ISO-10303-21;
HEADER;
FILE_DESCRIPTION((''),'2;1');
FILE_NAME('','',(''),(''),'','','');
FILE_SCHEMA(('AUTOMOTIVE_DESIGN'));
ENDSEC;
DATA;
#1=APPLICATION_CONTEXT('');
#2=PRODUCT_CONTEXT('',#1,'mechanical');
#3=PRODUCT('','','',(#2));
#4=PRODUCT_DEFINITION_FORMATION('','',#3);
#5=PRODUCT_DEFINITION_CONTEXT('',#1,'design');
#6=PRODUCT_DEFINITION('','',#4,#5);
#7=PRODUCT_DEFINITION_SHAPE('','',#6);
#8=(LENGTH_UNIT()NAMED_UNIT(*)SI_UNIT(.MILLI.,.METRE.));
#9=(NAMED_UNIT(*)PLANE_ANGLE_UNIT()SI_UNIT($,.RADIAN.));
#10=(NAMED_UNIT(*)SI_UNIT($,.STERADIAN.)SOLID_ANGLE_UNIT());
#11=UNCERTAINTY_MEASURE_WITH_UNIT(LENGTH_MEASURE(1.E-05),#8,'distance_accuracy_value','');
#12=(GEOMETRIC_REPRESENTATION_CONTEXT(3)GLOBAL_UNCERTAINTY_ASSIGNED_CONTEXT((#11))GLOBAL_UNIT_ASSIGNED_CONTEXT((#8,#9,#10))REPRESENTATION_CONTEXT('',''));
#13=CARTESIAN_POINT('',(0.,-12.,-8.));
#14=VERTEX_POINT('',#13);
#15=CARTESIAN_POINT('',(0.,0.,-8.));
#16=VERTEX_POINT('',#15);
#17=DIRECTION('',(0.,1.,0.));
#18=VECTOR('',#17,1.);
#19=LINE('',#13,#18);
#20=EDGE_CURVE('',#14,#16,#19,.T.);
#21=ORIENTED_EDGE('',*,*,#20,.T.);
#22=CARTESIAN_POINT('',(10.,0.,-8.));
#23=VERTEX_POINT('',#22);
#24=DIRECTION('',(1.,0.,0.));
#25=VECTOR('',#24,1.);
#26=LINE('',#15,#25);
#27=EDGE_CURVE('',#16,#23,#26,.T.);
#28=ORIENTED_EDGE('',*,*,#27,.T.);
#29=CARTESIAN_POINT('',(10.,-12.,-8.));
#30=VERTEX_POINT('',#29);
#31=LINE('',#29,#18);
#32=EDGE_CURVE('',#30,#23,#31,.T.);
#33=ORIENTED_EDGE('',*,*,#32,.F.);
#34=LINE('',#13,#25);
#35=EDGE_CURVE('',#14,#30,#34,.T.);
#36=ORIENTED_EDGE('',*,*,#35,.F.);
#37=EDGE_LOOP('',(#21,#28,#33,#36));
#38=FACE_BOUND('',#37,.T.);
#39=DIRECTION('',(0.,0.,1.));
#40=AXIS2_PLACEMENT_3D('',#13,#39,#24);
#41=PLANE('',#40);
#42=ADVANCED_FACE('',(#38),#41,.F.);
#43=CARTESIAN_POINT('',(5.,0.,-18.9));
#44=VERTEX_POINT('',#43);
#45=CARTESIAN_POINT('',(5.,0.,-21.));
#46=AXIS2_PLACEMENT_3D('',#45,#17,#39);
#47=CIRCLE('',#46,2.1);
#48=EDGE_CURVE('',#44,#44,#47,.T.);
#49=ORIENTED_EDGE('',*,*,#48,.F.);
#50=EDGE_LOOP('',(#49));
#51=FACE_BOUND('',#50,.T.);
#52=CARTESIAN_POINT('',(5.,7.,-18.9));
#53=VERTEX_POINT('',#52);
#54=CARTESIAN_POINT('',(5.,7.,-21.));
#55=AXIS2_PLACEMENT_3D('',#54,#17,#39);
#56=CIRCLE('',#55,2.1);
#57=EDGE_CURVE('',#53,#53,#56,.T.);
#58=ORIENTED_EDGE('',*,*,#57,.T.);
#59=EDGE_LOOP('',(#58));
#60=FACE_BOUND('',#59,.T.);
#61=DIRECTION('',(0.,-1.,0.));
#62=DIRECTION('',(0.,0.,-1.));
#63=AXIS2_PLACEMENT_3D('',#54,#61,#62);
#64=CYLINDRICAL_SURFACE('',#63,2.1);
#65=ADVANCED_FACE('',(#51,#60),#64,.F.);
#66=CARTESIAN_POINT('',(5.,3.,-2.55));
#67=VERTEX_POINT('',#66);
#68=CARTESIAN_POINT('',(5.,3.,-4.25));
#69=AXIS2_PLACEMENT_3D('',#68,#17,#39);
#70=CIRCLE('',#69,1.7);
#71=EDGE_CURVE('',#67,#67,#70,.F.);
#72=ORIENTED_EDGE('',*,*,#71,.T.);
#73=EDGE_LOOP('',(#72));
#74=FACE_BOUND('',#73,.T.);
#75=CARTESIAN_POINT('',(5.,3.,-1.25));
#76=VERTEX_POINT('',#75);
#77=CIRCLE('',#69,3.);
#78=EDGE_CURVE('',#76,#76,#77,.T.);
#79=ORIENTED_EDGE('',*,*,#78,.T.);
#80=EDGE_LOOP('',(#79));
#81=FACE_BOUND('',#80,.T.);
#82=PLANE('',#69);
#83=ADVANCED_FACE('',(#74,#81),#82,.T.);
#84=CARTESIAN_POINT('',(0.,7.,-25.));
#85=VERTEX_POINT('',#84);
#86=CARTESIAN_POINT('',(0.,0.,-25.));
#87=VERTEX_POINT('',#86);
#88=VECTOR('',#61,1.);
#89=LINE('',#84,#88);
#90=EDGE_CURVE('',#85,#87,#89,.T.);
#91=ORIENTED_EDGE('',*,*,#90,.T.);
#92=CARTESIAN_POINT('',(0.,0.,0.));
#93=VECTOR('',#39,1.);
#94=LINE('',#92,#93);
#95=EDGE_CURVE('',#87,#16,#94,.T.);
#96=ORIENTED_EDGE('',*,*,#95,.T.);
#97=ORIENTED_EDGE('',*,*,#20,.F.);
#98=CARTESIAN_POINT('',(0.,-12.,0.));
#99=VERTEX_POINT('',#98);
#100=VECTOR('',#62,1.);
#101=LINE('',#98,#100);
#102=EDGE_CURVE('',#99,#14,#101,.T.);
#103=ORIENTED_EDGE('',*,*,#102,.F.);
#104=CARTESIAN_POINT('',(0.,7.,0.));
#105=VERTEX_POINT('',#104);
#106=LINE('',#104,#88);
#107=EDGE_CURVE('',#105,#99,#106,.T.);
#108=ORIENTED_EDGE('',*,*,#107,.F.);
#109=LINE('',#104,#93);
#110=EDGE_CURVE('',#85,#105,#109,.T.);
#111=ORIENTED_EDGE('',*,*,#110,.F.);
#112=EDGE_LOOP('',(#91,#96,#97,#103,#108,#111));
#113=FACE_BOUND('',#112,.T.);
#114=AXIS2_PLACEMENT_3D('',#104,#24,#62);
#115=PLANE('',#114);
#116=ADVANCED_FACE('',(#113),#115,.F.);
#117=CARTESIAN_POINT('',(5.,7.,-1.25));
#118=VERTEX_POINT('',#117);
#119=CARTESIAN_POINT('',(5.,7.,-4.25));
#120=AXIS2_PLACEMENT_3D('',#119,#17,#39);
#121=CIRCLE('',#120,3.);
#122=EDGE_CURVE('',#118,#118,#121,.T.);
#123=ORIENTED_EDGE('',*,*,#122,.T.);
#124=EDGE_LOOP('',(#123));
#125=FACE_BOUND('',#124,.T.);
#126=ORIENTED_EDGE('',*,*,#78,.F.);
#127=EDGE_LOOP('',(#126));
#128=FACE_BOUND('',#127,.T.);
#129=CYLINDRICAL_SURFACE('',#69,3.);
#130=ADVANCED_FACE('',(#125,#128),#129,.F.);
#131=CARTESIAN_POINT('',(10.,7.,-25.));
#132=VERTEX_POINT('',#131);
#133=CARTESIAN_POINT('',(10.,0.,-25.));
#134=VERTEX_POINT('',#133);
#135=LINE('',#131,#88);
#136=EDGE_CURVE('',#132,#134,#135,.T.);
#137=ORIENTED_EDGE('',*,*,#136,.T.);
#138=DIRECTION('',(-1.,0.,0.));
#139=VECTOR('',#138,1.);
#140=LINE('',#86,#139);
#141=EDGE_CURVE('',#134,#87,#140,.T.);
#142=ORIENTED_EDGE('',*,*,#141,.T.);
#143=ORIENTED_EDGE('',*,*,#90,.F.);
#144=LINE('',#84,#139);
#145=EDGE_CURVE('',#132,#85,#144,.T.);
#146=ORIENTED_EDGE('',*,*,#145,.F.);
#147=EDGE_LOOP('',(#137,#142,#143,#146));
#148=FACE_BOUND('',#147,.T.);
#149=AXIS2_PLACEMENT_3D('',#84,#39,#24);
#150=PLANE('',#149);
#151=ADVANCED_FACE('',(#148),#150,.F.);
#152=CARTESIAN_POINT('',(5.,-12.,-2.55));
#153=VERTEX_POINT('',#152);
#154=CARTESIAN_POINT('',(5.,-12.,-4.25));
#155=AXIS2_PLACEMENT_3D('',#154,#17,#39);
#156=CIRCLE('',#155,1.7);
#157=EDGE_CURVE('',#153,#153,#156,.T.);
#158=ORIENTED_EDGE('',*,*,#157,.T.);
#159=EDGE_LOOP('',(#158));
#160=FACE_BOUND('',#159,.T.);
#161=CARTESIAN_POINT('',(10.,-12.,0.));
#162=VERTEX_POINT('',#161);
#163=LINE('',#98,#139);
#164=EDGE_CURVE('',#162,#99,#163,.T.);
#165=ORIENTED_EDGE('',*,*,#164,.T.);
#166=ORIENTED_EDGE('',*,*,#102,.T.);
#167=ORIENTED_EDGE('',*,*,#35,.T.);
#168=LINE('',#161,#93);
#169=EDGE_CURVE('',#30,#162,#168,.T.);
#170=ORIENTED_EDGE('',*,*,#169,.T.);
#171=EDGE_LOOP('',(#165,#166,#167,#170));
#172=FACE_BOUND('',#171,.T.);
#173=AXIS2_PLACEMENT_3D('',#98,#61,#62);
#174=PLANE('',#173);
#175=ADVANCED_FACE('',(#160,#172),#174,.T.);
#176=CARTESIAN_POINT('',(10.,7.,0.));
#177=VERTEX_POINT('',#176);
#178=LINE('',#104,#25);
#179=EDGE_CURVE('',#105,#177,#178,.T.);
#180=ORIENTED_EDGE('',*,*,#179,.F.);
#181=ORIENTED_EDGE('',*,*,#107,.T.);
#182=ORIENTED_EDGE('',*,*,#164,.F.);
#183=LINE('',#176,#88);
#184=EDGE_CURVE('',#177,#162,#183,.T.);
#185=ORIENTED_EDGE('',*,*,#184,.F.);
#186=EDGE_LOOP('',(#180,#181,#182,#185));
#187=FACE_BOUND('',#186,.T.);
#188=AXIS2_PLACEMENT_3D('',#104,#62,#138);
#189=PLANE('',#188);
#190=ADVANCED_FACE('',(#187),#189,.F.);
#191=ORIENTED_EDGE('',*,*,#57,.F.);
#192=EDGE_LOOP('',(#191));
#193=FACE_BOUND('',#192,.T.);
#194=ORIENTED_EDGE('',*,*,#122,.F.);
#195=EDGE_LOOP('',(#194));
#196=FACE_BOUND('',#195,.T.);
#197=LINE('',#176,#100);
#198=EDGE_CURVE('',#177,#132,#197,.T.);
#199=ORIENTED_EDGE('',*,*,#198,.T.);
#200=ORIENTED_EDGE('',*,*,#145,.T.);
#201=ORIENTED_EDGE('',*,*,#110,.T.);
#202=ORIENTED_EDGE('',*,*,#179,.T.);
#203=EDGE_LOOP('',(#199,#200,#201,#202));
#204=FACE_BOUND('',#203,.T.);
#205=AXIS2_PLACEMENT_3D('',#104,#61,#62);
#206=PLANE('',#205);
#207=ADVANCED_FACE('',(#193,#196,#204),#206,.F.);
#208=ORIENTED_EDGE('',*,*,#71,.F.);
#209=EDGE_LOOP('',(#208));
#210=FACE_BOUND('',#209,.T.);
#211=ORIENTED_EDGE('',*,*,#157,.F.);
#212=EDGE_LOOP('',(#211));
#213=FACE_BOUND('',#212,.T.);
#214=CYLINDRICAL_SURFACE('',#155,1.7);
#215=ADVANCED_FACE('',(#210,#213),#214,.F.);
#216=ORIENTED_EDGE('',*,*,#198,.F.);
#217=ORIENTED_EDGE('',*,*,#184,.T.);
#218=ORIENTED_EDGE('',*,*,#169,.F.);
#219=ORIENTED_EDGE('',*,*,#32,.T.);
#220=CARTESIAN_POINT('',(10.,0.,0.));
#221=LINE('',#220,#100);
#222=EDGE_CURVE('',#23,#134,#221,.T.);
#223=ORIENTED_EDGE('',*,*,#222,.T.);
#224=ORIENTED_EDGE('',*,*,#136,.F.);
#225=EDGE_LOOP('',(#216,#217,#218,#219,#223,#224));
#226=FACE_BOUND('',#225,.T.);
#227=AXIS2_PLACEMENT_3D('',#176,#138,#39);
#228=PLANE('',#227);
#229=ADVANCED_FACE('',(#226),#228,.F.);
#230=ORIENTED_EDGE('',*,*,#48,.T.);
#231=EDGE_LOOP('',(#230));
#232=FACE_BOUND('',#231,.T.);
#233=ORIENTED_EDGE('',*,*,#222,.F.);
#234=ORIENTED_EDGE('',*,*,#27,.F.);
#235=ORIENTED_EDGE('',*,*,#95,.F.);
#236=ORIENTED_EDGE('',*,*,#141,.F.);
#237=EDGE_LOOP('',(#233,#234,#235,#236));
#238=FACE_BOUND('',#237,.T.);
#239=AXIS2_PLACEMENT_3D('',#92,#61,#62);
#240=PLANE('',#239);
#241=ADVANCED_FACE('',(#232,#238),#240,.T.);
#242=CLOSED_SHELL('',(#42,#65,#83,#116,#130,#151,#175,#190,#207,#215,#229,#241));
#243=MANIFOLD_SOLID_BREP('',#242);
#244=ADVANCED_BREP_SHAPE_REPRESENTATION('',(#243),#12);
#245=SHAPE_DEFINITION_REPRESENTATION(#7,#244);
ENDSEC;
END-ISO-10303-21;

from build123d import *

# Parameters (mm, degrees)
SKETCH1_W           = 10
SKETCH1_H           = 25
SKETCH1_R           = 2.1
BOSS_EXTRUDE1_DEPTH = 7
SKETCH2_W           = 10
SKETCH2_H           = 8
BOSS_EXTRUDE2_DEPTH = 12
SKETCH3_R           = 1.7
CUT_EXTRUDE1_DEPTH  = 33.954514107
SKETCH4_R           = 3
CUT_EXTRUDE2_DEPTH  = 4


with BuildPart() as part:
    # Sketch1 → Boss-Extrude1 (new body)
    with BuildSketch(Plane(origin=(0, 0, 0), x_dir=(1, 0, 0), z_dir=(0, 1, 0))):
        with Locations((5, 12.5)):
            Rectangle(SKETCH1_W, SKETCH1_H)
        with Locations(Location((5, 21, 0), (0, 0, 270))):
            Circle(SKETCH1_R, mode=Mode.SUBTRACT)
    extrude(amount=BOSS_EXTRUDE1_DEPTH)

    # Sketch2 → Boss-Extrude2 (add)
    with BuildSketch(Plane(origin=(0, 0, 0), x_dir=(-1, 0, 0), z_dir=(0, -1, 0))):
        with Locations((-5, 4)):
            Rectangle(SKETCH2_W, SKETCH2_H)
    extrude(amount=BOSS_EXTRUDE2_DEPTH)

    # Sketch3 → Cut-Extrude1 (cut, through all)
    with BuildSketch(Plane(origin=(0, 7, 0), x_dir=(1, 0, 0), z_dir=(0, 1, 0))):
        with Locations(Location((5, 4.25, 0), (0, 0, 270))):
            Circle(SKETCH3_R)
    extrude(amount=-CUT_EXTRUDE1_DEPTH, mode=Mode.SUBTRACT)

    # Sketch4 → Cut-Extrude2 (cut)
    with BuildSketch(Plane(origin=(0, 7, 0), x_dir=(1, 0, 0), z_dir=(0, 1, 0))):
        with Locations(Location((5, 4.25, 0), (0, 0, 270))):
            Circle(SKETCH4_R)
    extrude(amount=-CUT_EXTRUDE2_DEPTH, mode=Mode.SUBTRACT)


solid = part.part
